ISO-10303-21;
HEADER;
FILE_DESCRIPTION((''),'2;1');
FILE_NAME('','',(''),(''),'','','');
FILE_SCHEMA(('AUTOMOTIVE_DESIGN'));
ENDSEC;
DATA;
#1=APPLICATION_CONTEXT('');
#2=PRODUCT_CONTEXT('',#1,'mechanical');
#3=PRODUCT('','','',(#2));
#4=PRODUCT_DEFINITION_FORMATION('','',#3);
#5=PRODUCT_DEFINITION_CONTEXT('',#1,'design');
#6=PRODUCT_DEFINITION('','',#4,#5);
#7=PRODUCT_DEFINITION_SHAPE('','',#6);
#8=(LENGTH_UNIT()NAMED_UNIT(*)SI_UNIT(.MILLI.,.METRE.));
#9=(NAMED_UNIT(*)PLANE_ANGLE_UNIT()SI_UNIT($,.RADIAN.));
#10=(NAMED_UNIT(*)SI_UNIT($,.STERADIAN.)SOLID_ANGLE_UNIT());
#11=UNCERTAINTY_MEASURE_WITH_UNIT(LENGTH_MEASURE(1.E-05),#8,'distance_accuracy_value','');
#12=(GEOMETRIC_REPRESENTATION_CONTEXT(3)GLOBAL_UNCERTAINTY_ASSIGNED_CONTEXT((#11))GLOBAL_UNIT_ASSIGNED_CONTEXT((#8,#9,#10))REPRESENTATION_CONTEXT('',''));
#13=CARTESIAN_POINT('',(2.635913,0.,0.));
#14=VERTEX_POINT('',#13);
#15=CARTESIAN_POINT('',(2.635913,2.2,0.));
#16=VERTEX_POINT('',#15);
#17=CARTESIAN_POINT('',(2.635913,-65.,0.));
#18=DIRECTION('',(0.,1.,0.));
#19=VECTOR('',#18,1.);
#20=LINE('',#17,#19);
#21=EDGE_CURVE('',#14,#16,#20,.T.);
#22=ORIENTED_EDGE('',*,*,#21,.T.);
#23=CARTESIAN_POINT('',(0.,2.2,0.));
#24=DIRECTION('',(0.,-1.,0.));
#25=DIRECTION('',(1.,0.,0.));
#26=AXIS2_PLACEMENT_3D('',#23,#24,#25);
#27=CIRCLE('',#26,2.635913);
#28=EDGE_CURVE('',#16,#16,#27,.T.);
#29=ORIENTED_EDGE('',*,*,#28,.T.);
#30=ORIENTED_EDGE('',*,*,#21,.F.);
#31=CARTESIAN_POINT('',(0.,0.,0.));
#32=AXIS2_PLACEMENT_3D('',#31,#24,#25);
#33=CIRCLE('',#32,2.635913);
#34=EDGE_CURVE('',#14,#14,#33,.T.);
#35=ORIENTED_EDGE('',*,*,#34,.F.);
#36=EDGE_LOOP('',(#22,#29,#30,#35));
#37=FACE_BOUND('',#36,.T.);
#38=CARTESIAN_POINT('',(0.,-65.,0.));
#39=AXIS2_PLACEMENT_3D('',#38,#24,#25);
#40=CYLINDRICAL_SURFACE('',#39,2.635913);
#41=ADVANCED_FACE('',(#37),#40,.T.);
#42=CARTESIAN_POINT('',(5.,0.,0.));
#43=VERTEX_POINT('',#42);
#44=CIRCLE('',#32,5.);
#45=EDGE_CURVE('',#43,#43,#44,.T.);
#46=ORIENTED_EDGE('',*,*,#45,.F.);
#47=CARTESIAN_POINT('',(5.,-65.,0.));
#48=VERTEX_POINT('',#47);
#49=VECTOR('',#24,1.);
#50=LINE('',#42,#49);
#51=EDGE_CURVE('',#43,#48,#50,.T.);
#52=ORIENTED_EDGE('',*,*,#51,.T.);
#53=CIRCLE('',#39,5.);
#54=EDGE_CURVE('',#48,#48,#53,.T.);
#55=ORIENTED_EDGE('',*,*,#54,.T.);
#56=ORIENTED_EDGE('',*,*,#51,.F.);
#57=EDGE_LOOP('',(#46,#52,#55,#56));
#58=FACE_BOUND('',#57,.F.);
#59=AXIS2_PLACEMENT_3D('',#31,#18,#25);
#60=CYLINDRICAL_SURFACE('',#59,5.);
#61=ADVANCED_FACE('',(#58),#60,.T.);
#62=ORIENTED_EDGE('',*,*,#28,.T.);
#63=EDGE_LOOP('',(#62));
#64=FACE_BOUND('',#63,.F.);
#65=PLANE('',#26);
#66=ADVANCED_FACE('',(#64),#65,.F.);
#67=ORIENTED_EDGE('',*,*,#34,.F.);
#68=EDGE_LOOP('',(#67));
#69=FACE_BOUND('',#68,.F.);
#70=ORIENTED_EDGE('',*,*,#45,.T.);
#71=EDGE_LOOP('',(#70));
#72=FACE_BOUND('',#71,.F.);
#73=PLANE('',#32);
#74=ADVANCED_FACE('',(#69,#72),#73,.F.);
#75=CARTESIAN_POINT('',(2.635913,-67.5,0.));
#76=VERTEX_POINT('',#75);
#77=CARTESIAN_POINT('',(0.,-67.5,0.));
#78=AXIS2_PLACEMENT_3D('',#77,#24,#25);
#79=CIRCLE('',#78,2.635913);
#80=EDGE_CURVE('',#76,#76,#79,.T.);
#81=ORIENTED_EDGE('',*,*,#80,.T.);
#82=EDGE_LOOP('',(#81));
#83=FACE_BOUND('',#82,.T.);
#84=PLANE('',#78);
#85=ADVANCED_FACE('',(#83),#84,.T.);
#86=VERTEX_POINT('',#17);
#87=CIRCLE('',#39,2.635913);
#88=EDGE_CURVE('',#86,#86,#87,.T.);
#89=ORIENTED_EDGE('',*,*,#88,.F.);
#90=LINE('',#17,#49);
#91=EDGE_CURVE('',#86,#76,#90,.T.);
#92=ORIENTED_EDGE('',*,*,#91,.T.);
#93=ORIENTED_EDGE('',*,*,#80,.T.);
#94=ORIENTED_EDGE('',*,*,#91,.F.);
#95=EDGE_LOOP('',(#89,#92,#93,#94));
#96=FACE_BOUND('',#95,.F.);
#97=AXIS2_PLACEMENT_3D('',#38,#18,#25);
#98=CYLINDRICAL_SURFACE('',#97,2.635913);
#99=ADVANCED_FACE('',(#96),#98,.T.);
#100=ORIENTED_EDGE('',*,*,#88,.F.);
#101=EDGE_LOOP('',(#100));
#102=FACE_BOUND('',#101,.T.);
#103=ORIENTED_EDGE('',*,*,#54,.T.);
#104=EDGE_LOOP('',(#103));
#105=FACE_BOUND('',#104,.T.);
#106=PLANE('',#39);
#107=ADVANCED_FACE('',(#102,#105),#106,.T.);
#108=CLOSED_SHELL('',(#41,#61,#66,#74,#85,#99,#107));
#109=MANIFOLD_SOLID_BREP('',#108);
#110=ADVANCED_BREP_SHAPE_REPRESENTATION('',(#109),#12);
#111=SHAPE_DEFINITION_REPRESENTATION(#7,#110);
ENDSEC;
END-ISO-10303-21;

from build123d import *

# Parameters (mm, degrees)
F0_R          = 5
F1_DEPTH      = 65
F2_R          = 2.635913
F3_DEPTH      = 2.5
F3_DEPTH_BACK = 67.2


with BuildPart() as f1:
    # F0 (on Front) → F1 (new body)
    with BuildSketch(Plane.XZ):
        Circle(F0_R)
    extrude(amount=F1_DEPTH)

    # F2 (on face) → F3 (join, two sides)
    with BuildSketch(Plane.XZ.offset(65)) as f3_sk:
        Circle(F2_R)
    extrude(amount=F3_DEPTH)
    extrude(f3_sk.sketch, amount=-F3_DEPTH_BACK)


solid = f1.part
